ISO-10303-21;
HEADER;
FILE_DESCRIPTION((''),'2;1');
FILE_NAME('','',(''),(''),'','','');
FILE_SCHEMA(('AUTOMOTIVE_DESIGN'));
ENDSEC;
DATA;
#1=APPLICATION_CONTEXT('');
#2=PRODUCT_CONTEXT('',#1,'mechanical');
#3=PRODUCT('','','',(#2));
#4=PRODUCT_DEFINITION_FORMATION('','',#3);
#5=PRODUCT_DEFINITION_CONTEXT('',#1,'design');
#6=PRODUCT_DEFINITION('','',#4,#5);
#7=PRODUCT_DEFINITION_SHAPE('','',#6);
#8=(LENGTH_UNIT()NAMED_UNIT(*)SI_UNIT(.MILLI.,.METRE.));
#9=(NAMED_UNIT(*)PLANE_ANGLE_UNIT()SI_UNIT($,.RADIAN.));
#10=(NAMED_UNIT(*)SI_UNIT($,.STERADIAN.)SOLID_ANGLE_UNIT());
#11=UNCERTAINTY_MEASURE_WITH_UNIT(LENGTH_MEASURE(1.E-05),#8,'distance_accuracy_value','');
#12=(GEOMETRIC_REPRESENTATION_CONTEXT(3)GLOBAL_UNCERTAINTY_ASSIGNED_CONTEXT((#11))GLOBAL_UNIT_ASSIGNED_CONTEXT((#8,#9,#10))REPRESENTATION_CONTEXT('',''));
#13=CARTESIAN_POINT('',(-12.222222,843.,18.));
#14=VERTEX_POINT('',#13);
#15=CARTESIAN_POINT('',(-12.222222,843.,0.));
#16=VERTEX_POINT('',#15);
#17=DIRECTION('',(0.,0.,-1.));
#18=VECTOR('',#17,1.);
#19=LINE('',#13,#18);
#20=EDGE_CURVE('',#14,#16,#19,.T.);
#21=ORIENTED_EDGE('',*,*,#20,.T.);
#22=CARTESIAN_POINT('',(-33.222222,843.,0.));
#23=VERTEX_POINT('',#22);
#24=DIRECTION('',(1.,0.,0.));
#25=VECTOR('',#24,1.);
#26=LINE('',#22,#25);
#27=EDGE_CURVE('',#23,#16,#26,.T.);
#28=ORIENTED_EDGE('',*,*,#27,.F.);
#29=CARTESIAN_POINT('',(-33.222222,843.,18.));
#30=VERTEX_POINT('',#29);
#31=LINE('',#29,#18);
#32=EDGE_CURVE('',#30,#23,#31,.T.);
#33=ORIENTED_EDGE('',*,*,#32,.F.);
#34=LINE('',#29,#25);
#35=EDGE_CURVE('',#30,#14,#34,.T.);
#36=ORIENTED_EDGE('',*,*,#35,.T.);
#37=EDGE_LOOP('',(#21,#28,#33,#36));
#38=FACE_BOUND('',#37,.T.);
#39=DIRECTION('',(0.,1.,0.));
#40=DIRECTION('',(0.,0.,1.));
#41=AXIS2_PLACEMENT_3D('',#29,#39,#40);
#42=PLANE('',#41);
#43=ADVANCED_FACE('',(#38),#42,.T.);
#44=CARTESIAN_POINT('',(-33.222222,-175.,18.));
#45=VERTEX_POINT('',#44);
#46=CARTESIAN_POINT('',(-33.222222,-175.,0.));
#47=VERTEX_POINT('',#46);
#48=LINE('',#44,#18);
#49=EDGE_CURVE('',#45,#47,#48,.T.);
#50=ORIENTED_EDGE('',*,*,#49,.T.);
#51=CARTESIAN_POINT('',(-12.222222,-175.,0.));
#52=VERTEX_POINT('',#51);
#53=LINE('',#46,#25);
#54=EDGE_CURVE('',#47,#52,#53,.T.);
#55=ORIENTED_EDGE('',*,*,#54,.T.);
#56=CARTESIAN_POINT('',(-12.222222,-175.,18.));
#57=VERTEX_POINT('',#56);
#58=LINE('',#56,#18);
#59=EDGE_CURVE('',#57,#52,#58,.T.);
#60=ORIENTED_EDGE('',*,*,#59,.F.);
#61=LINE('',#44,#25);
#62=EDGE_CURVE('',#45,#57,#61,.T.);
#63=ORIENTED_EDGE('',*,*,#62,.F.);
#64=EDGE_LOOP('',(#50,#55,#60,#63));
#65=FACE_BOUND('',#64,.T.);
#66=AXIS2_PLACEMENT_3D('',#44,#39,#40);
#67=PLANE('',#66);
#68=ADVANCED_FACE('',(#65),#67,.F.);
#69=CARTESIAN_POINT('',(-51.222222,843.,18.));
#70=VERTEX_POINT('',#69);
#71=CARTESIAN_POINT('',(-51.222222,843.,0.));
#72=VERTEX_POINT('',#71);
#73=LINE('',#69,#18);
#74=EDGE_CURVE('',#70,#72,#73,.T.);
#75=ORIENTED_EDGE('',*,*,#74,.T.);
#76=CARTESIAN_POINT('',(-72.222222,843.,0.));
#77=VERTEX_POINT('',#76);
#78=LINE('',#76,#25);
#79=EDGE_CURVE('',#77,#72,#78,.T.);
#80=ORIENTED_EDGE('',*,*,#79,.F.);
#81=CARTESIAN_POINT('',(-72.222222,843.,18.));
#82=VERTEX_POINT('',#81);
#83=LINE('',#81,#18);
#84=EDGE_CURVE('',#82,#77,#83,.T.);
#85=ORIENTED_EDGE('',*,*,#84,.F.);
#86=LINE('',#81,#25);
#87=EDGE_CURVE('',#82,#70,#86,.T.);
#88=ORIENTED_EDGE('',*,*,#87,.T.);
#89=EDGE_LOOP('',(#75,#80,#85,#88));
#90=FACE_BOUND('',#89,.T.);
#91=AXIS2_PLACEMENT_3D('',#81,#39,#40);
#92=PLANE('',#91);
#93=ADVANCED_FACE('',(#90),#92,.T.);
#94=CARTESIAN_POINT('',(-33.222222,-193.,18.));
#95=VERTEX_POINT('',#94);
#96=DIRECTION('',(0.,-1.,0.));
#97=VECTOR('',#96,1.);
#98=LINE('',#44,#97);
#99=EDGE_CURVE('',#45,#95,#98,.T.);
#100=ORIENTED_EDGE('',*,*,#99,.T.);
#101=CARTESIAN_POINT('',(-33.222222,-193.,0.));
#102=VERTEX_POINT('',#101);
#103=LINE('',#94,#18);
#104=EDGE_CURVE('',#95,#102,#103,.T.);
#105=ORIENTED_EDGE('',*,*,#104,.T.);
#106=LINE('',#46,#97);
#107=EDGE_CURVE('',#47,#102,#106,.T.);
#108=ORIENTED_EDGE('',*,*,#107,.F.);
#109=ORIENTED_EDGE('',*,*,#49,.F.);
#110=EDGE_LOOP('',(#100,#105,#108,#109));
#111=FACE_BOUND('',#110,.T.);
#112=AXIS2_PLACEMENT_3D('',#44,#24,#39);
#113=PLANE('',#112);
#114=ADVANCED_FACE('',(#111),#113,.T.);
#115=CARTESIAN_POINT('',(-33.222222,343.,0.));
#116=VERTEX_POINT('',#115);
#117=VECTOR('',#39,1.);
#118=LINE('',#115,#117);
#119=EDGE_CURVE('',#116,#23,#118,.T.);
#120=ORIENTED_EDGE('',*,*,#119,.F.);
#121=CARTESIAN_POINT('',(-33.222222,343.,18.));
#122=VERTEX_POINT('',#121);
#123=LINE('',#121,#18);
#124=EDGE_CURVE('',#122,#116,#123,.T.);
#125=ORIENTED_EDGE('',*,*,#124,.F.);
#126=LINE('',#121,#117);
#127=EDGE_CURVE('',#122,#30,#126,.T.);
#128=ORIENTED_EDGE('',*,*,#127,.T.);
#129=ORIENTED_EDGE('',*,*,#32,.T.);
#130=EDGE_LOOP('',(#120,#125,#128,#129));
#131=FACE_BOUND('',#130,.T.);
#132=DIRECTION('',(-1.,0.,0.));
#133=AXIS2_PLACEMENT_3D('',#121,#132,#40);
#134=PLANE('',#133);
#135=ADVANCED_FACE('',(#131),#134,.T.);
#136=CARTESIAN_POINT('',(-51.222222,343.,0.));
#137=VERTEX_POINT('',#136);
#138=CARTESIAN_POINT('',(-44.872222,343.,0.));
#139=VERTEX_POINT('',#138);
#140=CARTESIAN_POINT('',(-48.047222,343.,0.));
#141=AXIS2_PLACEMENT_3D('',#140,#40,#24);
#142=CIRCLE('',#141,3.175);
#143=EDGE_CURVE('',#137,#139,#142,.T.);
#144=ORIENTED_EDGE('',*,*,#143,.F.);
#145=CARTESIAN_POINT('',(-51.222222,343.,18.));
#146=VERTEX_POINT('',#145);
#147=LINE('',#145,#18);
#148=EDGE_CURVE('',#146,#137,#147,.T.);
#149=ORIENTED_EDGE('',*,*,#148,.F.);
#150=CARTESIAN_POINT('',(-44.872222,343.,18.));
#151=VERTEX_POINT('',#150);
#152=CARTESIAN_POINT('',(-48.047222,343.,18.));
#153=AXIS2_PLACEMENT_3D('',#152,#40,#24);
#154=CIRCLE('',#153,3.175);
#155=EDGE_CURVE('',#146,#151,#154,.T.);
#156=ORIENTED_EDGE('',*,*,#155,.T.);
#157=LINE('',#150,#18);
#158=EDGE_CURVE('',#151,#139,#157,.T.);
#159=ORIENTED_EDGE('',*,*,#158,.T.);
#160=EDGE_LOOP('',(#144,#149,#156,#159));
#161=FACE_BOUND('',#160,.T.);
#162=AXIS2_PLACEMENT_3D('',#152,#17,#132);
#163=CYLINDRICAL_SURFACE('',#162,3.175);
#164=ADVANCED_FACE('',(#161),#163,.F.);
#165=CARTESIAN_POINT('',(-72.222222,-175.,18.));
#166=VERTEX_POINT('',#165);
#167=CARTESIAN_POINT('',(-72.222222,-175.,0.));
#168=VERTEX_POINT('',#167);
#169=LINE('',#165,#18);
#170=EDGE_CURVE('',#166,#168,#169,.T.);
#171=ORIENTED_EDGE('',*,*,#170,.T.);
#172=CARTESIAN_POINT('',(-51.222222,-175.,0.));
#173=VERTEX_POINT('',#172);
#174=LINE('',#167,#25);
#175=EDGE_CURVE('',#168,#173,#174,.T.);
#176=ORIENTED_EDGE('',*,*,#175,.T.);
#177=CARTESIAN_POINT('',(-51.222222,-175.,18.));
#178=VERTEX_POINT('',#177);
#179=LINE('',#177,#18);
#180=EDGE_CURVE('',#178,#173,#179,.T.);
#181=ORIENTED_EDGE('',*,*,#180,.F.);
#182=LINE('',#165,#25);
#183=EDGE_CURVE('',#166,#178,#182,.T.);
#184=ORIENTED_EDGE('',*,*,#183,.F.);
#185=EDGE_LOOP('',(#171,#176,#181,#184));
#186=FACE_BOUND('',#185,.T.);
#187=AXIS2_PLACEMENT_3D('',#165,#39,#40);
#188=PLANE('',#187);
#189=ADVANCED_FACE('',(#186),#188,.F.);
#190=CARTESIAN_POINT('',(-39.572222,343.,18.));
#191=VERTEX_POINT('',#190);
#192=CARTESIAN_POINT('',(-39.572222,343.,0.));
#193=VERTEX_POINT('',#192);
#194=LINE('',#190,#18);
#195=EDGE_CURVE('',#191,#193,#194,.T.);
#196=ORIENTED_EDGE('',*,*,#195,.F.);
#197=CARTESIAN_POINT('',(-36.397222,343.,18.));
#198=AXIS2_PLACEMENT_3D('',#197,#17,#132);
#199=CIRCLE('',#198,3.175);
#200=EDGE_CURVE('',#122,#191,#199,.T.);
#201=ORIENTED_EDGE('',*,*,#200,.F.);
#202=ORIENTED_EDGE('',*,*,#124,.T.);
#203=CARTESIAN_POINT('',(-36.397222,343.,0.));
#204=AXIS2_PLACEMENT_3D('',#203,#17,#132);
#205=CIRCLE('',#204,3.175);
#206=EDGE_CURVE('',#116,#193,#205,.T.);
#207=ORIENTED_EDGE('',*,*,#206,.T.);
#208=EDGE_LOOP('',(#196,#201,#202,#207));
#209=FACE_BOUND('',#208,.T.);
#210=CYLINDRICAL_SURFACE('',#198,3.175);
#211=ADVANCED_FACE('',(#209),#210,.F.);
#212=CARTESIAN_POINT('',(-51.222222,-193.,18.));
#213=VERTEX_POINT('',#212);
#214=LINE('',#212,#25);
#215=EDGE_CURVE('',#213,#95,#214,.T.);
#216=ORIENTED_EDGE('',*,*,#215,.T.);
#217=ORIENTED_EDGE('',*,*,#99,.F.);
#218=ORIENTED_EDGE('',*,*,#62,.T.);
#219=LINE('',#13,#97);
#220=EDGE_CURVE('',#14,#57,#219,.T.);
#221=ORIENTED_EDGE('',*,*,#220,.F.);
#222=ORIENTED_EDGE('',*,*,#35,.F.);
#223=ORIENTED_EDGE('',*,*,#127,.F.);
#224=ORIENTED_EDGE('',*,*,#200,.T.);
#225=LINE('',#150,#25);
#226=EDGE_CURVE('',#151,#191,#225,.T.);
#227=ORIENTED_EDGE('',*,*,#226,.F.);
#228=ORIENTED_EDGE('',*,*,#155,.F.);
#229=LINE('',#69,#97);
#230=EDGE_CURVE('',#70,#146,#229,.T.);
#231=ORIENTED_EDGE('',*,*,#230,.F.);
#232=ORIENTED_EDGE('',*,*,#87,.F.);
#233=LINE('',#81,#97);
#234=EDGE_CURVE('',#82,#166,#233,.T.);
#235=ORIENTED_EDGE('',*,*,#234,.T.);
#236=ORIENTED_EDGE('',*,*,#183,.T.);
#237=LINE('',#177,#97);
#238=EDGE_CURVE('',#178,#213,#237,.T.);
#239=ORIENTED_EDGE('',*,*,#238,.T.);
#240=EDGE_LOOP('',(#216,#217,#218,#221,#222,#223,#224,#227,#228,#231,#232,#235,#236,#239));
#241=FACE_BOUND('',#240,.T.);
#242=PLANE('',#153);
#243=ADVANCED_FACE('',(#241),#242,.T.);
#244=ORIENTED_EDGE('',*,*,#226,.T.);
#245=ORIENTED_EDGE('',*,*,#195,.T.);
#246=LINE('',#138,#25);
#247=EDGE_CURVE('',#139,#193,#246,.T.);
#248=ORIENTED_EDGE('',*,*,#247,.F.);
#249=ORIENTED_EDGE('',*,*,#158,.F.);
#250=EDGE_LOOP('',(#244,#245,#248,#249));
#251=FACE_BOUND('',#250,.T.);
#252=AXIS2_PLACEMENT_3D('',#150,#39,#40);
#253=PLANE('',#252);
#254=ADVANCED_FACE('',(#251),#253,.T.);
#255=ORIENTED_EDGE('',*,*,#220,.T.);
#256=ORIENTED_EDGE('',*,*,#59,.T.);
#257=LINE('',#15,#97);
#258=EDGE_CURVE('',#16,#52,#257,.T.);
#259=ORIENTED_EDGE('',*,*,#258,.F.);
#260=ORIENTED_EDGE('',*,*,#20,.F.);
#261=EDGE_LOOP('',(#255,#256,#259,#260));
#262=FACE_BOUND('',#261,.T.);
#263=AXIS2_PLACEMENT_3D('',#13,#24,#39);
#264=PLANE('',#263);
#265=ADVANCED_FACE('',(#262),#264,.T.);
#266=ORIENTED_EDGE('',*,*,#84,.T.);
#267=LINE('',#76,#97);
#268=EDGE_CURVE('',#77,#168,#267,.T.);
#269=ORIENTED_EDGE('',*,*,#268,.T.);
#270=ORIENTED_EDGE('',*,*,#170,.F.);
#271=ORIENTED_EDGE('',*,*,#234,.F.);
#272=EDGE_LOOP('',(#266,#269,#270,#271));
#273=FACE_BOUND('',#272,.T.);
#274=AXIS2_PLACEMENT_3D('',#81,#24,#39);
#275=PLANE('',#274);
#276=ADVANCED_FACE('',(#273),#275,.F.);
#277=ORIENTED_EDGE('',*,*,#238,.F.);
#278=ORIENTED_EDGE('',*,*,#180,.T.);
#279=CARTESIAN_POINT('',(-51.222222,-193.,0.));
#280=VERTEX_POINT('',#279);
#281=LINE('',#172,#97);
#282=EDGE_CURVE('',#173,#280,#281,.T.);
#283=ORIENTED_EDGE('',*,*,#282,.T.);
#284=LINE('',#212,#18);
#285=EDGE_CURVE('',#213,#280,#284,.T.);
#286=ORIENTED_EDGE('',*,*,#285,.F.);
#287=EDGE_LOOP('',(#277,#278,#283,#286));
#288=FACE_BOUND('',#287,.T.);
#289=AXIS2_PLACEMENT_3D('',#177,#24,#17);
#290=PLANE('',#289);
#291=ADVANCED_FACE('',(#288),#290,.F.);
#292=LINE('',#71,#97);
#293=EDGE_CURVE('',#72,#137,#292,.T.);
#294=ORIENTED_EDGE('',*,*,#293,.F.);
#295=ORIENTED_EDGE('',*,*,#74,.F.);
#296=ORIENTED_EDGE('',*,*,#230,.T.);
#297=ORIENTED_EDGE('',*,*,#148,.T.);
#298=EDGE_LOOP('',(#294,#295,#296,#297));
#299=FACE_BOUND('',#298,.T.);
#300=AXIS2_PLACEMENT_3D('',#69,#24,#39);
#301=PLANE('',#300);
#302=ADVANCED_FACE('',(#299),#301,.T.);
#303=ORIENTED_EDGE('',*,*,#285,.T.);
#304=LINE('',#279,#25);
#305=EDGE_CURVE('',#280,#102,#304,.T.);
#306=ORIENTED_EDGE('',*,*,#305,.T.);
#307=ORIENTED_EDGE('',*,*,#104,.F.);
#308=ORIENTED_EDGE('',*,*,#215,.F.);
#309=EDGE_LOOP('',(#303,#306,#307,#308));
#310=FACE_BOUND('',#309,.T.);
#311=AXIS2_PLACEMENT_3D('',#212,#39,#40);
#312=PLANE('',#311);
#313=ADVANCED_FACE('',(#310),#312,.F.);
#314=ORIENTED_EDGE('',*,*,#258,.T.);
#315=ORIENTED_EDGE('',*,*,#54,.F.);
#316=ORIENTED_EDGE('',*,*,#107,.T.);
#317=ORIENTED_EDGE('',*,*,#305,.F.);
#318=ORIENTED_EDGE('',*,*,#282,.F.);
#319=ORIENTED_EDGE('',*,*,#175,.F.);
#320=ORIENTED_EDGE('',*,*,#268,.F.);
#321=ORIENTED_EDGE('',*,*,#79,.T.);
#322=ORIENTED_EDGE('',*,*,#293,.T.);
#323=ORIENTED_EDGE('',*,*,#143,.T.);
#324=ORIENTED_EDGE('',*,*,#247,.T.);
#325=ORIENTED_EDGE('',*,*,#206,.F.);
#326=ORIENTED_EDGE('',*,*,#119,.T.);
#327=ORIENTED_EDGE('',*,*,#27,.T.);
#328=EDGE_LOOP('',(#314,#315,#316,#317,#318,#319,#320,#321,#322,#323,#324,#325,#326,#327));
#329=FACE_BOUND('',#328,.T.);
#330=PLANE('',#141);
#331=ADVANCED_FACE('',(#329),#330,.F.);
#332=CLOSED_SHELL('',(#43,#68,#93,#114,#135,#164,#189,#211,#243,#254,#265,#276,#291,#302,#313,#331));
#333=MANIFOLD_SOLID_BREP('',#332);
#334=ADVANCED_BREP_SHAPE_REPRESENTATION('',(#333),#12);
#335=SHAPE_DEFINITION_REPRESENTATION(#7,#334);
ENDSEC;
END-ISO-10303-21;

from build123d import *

# Parameters (mm, degrees)
ESTRUSIONE_ESTRUSIONE1_DEPTH = 18


with BuildPart() as part:
    # Schizzo1 → Estrusione-Estrusione1 (new body)
    with BuildSketch(Plane.XY):
        with BuildLine():
            Line((-51.222222222, 843), (-51.222222222, 343))
            ThreePointArc((-51.222222222, 343), (-48.047222222, 339.825), (-44.872222222, 343))
            Line((-44.872222222, 343), (-39.572222222, 343))
            ThreePointArc((-39.572222222, 343), (-36.397222222, 339.825), (-33.222222222, 343))
            Line((-33.222222222, 343), (-33.222222222, 843))
            Line((-33.222222222, 843), (-12.222222222, 843))
            Line((-12.222222222, 843), (-12.222222222, -175))
            Line((-12.222222222, -175), (-33.222222222, -175))
            Line((-33.222222222, -175), (-33.222222222, -193))
            Line((-33.222222222, -193), (-51.222222222, -193))
            Line((-51.222222222, -193), (-51.222222222, -175))
            Line((-51.222222222, -175), (-72.222222222, -175))
            Line((-72.222222222, -175), (-72.222222222, 843))
            Line((-72.222222222, 843), (-51.222222222, 843))
        make_face()
    extrude(amount=ESTRUSIONE_ESTRUSIONE1_DEPTH)


solid = part.part
